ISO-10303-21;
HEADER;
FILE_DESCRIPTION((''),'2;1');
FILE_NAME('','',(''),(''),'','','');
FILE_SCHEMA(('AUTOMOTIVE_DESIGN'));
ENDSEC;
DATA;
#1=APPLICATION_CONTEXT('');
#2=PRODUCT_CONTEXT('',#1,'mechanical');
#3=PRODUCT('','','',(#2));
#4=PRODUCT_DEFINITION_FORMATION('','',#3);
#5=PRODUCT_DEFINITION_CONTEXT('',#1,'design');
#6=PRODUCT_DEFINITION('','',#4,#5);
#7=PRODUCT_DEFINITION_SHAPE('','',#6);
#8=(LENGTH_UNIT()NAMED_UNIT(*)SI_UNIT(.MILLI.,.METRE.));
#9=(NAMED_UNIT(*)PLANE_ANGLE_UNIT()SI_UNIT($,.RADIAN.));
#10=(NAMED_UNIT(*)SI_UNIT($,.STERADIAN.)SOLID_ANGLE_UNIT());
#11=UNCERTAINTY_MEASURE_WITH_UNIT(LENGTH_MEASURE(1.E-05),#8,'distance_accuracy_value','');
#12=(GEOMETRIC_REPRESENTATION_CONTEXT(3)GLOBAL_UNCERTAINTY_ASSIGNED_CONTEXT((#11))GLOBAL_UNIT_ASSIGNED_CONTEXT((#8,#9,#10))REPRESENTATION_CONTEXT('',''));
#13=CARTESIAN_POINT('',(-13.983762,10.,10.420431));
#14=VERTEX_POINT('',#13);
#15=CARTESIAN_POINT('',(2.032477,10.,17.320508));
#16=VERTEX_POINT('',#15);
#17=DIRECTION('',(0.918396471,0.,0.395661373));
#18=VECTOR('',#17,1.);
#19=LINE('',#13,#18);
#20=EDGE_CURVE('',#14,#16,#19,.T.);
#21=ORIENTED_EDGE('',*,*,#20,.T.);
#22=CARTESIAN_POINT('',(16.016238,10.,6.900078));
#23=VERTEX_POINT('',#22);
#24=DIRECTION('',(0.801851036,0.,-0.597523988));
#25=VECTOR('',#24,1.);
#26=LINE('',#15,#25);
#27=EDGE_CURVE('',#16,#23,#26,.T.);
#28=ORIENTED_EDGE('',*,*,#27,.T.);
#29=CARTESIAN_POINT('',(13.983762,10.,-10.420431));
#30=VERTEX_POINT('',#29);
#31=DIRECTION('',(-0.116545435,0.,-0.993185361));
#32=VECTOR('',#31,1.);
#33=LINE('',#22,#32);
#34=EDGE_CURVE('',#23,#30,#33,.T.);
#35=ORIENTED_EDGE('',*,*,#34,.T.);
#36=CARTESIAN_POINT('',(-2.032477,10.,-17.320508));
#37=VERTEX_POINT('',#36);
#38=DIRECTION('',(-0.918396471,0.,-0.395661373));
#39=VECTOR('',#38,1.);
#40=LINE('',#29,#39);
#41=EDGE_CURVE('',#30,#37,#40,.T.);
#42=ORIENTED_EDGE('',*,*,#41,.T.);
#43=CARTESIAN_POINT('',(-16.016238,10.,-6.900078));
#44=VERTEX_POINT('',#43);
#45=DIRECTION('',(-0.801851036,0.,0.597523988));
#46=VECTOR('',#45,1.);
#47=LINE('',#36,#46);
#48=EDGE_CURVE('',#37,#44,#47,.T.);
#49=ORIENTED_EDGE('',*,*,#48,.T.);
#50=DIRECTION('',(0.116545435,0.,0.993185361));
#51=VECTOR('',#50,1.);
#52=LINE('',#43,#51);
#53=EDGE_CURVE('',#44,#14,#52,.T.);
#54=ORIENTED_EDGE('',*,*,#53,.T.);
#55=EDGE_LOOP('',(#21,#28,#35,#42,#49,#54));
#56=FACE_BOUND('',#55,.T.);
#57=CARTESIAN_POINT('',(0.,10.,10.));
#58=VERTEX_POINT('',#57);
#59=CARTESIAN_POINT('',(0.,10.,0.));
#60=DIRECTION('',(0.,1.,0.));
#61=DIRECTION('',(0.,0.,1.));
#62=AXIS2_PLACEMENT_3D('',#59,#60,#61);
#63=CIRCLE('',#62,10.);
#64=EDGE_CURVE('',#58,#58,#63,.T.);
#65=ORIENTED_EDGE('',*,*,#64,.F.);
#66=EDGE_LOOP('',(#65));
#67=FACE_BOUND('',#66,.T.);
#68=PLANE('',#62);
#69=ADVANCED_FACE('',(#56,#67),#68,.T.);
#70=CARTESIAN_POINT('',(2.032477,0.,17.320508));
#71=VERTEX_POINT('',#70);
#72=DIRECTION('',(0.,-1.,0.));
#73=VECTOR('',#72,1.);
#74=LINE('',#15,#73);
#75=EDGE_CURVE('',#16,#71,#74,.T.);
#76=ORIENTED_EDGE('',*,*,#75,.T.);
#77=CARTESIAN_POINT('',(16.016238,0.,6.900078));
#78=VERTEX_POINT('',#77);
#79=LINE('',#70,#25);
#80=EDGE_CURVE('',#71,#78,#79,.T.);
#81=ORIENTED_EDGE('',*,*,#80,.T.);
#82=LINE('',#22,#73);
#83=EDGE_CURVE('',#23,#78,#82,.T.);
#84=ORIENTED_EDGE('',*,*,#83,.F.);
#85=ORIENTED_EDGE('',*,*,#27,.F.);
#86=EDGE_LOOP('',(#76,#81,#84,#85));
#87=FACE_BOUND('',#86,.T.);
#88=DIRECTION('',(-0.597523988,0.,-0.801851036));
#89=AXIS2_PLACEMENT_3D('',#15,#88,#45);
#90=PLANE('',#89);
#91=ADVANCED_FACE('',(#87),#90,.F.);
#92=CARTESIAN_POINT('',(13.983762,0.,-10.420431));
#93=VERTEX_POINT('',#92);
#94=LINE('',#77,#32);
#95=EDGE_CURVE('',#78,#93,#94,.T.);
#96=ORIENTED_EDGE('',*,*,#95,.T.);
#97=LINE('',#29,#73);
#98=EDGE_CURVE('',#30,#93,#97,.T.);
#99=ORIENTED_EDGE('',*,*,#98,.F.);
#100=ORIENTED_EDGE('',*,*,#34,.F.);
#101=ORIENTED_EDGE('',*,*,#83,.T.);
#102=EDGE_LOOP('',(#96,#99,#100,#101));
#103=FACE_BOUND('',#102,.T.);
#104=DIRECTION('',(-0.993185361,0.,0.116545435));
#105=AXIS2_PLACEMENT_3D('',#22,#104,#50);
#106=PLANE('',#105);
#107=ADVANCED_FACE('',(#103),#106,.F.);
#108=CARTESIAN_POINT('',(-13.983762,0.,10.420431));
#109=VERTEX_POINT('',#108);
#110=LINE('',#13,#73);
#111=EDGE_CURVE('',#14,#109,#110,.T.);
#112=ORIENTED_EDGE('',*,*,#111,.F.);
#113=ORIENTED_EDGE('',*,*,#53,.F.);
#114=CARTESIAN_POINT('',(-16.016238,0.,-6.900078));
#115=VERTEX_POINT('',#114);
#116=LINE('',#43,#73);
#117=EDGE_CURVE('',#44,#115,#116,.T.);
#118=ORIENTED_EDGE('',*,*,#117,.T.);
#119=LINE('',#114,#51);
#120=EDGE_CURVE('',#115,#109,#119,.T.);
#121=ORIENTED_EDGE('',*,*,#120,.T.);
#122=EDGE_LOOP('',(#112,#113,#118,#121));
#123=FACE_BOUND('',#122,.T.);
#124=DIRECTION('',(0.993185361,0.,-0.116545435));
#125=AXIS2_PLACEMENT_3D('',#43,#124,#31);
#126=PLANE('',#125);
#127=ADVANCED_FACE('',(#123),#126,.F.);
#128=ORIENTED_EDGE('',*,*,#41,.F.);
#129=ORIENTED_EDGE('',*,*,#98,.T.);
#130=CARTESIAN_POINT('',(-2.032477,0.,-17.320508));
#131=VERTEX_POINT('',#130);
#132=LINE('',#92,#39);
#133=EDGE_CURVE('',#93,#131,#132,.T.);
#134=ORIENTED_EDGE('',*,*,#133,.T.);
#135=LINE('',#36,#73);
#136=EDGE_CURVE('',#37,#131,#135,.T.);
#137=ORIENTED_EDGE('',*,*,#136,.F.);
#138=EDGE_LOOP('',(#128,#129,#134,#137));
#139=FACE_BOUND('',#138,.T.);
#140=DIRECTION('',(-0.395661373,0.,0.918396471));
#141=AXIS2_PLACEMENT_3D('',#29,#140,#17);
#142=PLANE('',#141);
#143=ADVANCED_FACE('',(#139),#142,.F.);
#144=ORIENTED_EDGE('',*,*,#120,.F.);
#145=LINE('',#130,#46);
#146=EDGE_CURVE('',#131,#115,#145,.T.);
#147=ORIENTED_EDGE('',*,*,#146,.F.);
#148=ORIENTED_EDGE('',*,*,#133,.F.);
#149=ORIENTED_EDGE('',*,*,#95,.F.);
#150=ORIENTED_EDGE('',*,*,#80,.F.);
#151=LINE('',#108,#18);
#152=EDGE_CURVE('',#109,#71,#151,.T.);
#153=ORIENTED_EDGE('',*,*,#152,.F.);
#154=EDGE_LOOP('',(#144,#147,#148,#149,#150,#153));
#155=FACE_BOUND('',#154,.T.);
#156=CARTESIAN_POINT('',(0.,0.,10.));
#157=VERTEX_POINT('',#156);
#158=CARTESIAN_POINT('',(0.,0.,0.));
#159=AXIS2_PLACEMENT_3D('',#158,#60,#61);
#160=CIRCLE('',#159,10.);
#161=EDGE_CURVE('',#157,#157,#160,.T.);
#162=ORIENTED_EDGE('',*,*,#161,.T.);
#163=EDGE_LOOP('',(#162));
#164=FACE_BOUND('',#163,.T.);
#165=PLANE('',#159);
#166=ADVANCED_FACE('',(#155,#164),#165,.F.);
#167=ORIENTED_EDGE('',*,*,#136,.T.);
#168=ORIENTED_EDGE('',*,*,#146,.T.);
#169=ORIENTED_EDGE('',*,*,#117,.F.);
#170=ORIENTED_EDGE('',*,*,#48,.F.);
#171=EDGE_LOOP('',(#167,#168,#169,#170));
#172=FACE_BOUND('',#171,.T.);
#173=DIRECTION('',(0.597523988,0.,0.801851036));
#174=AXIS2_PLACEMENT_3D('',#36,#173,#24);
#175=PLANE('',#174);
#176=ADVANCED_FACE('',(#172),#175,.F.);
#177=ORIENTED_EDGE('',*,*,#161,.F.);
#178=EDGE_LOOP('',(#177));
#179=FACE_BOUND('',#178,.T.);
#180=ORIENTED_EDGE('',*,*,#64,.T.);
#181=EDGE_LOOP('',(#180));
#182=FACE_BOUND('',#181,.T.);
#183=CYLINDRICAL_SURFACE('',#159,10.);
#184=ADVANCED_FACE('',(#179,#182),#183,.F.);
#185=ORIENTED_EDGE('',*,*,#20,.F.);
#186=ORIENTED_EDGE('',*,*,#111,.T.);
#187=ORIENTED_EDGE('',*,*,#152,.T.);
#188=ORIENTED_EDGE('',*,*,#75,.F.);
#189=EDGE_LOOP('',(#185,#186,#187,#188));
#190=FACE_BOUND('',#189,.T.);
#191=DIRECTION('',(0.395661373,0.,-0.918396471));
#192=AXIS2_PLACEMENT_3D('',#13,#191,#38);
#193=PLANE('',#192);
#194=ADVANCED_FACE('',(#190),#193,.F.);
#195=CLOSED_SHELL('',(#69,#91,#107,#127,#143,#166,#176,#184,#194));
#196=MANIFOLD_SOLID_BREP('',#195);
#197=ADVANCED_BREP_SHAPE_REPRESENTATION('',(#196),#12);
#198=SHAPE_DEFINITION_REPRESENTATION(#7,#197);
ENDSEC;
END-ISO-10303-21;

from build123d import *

# Parameters (mm, degrees)
BOSS_EXTRU_1_DEPTH      = 10
ESQUISSE2_R             = 10
ENL_V_MAT_EXTRU_1_DEPTH = 10


with BuildPart() as part:
    # Esquisse1 → Boss.-Extru.1 (new body)
    with BuildSketch(Plane(origin=(0, 0, 0), x_dir=(1, 0, 0), z_dir=(0, 1, 0))):
        Polygon((-16.016238375, 6.900077539), (-13.983761625, -10.420430537), (2.032476751, -17.320508076), (16.016238375, -6.900077539), (13.983761625, 10.420430537), (-2.032476751, 17.320508076), align=None)
    extrude(amount=BOSS_EXTRU_1_DEPTH)

    # Esquisse2 → Enlèv. mat.-Extru.1 (cut)
    with BuildSketch(Plane(origin=(0, 10, 0), x_dir=(1, 0, 0), z_dir=(0, 1, 0))):
        Circle(ESQUISSE2_R)
    extrude(amount=-ENL_V_MAT_EXTRU_1_DEPTH, mode=Mode.SUBTRACT)


solid = part.part
